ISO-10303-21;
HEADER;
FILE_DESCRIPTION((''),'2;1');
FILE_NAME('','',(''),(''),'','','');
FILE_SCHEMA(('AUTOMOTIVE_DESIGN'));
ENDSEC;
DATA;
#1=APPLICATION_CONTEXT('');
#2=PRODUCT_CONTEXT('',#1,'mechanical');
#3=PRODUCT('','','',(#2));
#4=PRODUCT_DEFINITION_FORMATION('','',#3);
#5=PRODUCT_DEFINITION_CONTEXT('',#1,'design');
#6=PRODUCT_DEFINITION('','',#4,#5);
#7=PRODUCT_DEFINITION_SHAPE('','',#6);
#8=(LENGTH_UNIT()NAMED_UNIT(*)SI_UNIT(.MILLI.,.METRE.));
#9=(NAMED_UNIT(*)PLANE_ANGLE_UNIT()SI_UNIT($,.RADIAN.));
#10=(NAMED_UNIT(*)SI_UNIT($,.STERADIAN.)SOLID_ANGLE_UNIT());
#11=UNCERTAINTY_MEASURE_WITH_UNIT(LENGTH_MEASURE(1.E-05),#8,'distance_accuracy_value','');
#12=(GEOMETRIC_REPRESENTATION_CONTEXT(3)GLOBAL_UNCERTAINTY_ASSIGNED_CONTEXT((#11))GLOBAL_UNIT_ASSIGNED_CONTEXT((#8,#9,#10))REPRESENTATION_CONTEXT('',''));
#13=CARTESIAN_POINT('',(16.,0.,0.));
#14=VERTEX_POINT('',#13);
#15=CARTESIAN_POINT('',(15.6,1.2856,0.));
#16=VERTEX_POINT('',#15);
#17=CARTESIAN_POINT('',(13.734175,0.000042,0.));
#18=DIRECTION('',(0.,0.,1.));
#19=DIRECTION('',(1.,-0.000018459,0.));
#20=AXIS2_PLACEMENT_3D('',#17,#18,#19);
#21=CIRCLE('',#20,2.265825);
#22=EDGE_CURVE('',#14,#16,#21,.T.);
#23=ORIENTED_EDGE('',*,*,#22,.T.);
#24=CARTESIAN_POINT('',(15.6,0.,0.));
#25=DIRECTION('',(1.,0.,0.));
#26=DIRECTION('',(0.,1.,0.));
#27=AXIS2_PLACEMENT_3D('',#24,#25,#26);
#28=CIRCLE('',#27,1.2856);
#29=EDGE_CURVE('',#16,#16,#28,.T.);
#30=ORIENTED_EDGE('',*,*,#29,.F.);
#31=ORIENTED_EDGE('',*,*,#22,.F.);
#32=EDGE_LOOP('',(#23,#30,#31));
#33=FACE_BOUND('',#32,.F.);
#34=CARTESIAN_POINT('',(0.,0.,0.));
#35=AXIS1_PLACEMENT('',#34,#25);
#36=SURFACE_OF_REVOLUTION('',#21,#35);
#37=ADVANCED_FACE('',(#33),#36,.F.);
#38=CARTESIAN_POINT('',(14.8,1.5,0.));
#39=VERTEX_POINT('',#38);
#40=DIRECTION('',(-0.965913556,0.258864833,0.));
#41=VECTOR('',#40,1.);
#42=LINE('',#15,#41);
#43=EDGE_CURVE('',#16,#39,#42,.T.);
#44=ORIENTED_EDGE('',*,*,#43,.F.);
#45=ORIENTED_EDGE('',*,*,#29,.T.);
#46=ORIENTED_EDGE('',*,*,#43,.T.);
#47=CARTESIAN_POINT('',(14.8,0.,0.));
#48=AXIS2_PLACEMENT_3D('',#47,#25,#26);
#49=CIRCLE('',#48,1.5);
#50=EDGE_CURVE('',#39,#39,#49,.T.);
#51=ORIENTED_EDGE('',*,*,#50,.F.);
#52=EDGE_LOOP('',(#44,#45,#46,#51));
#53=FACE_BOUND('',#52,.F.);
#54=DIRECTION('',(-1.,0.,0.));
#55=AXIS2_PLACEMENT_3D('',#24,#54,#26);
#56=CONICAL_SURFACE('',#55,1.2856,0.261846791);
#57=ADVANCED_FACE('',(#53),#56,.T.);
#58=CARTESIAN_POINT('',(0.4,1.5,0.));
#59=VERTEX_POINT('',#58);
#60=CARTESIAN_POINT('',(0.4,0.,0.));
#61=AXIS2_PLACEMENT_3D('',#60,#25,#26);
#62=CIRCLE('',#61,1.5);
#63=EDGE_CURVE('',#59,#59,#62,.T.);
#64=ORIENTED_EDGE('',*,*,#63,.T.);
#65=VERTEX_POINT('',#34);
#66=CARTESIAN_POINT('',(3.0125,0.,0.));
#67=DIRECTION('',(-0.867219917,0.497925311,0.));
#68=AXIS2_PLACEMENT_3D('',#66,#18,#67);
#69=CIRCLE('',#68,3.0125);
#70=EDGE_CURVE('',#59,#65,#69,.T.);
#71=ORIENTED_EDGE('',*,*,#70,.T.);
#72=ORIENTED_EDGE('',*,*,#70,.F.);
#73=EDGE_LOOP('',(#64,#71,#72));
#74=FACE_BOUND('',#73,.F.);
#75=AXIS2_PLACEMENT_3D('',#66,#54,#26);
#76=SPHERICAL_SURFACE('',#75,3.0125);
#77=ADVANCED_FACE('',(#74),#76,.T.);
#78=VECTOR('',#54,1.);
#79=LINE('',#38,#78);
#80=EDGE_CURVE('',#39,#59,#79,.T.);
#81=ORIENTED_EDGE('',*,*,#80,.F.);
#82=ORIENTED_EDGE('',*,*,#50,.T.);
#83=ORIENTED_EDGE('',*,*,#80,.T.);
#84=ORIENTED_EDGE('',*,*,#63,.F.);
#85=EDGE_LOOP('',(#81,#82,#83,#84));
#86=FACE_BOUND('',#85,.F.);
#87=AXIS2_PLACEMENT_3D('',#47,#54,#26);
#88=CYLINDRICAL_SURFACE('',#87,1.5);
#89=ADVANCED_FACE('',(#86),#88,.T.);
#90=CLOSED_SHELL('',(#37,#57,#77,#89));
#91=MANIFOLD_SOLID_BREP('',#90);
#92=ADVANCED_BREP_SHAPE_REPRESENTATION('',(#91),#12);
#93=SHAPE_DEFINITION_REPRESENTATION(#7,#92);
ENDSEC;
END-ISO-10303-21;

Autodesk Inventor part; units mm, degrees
ref_plane "YZ Plane" through (0, 0, 0) normal (1, 0, 0) x (0, 1, 0)
ref_plane "XZ Plane" through (0, 0, 0) normal (0, 1, 0) x (-1, 0, 0)
ref_plane "XY Plane" through (0, 0, 0) normal (0, 0, 1) x (1, 0, 0)
sketch "Sketch1" plane through (0, 0, 0) normal (0, 0, 1) x (1, 0, 0)
  line L0 (15.6, 1.2856) -> (14.8, 1.5)
  line L1 (14.8, 1.5) -> (0.4, 1.5)
  line L2 (0, 0) -> (16, 0)
  arc A0 (16, 0) -> (15.6, 1.2856) centre (13.7339, 0) ccw
  arc A1 (0.4, 1.5) -> (0, 0) centre (3.0125, 0) ccw
  dimension "d0" = 16
  dimension "d1" = 3
  dimension "d2" = 1.2
  dimension "d3" = 15
  dimension "d4" = 0.4
  dimension "d5" = 0.4
revolve "Body" add sketch "Sketch1" angle 360 about axis through (0, 0, 0) along (1, 0, 0)
equation "\"d0\" = NLG"
equation "\"d1\" = NND"
equation "\"d2\" = PHH"
equation "\"d3\" = FAWI"
equation "\"d4\" = KAH"
equation "\"d5\" = KAH"
equation "\"NND\" = 3"
equation "\"NLG\" = 16"
equation "\"PHH\" = 1.2"
equation "\"FAWI\" = 15deg"
equation "\"KAH\" = 0.4"
equation "\"d6\" = -KAH"
equation "\"d7\" = KAH"
equation "\"KAH1\" = 0.3"
properties part number "ISO 8734 - 3 x 16 - A" material "Steel"
